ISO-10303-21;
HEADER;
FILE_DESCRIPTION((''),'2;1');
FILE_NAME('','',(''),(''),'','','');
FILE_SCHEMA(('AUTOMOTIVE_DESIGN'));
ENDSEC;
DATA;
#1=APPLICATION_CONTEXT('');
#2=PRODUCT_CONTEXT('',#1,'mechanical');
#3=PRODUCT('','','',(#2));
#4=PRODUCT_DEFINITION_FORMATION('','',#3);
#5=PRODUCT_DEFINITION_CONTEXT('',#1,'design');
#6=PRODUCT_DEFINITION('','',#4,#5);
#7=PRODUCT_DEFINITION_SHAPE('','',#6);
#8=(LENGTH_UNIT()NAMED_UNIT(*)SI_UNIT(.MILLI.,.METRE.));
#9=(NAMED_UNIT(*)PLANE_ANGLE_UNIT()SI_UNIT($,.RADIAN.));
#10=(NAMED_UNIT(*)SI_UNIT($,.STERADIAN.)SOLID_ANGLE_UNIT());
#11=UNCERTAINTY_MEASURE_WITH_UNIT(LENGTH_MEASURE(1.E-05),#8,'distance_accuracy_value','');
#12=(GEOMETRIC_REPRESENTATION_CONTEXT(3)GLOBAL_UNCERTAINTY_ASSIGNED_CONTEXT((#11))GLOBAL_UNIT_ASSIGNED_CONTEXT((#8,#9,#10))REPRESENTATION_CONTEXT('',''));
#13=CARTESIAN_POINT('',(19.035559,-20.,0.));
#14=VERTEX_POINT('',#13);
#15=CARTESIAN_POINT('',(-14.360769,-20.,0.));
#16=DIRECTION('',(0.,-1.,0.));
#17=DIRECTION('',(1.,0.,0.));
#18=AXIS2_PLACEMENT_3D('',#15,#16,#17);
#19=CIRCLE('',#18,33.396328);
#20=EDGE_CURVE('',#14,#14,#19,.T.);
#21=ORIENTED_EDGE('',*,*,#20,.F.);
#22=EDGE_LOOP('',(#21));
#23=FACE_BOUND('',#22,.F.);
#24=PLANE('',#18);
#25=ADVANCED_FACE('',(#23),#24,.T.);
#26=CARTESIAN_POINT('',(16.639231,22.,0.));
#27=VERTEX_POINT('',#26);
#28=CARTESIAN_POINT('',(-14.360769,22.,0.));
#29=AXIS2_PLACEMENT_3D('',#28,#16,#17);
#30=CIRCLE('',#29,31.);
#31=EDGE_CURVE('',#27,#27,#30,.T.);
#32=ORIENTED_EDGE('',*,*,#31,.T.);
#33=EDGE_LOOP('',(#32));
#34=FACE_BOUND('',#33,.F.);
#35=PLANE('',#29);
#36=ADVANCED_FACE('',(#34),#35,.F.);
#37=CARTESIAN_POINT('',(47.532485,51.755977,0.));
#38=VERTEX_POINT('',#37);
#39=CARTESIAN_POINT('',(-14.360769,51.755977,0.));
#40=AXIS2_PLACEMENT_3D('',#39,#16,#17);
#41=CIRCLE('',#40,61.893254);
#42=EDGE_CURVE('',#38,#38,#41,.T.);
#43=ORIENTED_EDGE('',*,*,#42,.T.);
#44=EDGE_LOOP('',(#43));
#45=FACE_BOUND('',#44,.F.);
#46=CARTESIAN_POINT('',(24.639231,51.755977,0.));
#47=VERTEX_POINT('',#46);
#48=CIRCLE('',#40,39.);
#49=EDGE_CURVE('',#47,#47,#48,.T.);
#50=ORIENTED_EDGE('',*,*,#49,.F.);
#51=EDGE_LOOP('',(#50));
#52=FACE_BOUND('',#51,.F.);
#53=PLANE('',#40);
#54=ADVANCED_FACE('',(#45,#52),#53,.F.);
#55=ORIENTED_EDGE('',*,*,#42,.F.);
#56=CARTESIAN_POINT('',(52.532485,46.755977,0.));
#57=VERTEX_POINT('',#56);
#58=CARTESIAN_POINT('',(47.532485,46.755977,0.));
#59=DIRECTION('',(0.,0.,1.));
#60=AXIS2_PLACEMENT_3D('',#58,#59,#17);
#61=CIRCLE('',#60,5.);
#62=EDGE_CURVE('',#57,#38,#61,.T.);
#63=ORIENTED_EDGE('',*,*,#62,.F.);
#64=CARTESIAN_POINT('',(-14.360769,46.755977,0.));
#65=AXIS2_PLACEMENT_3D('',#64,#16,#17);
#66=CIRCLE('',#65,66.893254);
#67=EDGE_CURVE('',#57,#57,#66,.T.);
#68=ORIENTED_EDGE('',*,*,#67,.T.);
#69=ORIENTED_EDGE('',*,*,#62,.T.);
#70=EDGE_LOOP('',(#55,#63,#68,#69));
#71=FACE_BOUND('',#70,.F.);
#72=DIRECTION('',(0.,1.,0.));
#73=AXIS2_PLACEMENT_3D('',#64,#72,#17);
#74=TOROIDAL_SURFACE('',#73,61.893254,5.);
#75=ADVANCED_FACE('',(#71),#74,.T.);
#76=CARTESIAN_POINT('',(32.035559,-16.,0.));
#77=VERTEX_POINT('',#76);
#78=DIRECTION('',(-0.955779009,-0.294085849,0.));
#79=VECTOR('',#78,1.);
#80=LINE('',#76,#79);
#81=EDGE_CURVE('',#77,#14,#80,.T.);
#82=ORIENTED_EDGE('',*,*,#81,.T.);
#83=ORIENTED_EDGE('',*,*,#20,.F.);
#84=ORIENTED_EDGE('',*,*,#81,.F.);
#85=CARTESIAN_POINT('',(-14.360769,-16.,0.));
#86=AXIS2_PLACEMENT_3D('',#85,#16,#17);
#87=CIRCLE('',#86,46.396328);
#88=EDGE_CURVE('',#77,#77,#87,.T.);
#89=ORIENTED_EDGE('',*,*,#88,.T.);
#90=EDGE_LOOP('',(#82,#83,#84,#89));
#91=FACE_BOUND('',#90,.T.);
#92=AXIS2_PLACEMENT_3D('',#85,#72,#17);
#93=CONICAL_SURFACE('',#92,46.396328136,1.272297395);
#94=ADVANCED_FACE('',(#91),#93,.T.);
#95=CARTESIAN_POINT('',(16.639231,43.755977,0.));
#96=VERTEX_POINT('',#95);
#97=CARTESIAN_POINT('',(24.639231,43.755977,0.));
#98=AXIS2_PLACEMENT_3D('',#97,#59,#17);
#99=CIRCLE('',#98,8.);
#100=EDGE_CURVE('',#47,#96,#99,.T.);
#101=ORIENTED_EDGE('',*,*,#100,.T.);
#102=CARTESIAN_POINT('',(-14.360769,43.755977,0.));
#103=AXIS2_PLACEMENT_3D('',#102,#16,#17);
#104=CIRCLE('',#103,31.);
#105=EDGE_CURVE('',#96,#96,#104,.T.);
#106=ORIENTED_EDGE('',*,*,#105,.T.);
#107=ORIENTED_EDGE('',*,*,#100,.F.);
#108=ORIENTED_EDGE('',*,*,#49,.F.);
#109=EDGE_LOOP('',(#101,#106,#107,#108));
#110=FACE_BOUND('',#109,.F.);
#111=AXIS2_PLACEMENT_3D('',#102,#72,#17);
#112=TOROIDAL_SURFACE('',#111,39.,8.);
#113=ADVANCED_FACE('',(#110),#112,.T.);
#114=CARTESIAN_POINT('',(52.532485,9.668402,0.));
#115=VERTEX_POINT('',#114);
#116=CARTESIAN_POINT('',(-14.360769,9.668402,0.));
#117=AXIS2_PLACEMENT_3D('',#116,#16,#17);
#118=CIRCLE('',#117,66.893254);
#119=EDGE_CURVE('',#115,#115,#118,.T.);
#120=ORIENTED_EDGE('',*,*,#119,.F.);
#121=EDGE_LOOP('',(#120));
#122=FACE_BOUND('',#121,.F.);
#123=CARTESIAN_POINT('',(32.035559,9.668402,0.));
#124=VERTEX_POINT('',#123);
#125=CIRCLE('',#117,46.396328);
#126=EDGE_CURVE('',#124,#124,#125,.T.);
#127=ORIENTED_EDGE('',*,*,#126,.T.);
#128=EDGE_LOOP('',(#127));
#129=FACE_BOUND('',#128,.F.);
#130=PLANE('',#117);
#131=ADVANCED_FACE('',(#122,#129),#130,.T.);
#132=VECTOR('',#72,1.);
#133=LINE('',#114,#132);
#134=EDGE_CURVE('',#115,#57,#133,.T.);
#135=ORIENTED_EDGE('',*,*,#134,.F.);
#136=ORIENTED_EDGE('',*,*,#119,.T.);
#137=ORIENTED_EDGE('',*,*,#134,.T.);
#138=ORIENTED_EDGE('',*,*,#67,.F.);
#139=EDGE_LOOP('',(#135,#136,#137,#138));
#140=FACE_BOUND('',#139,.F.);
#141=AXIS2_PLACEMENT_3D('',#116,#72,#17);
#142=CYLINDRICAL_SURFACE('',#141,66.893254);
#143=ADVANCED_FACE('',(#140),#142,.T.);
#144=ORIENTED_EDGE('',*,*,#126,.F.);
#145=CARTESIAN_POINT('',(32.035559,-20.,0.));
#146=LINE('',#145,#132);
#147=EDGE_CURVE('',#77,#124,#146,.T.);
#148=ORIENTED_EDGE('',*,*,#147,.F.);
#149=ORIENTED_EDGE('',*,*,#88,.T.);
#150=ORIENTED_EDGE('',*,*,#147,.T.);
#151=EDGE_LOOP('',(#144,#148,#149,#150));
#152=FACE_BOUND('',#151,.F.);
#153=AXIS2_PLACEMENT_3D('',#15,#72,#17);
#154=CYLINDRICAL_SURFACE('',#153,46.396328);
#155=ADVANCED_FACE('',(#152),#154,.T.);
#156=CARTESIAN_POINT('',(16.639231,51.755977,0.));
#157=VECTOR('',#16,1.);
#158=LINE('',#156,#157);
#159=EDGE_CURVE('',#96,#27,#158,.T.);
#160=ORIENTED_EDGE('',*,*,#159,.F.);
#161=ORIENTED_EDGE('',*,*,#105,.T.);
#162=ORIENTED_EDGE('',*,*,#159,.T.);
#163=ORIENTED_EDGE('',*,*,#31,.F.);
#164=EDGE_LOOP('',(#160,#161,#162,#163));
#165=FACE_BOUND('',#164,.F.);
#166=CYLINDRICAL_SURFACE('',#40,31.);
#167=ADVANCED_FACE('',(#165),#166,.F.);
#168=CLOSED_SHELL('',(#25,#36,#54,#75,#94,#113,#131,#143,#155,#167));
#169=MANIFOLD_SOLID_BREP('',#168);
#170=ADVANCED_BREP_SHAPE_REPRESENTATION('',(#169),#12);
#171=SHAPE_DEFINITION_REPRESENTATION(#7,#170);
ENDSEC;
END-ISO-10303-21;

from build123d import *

# Parameters (mm, degrees)
F2_R     = 8
F3_SIZE2 = 13
F3_SIZE  = 4


with BuildPart() as f1:
    # F0 (on Top) → F1 (revolve)
    with BuildSketch(Plane.XY):
        with BuildLine():
            Line((-14.3607687205, 22), (-14.3607687205, -20))
            Line((-14.3607687205, -20), (32.0355594158, -20))
            Line((32.0355594158, -20), (32.0355594158, 9.6684019268))
            Line((32.0355594158, 9.6684019268), (52.5324852616, 9.6684019268))
            Line((52.5324852616, 9.6684019268), (52.5324852616, 46.7559769824))
            ThreePointArc((52.5324852616, 46.7559769824), (51.0680191675, 50.2915108883), (47.5324852616, 51.7559769824))
            Line((47.5324852616, 51.7559769824), (16.6392312795, 51.7559769824))
            Line((16.6392312795, 51.7559769824), (16.6392312795, 22))
            Line((16.6392312795, 22), (-14.3607687205, 22))
        make_face()
    revolve(axis=Axis((-14.3607687205, 1, 0), (0, -1, 0)))

    # F2
    f2_edges = [f1.edges().sort_by_distance(p)[0] for p in [
        (-45.360769, 51.755977, 0),
    ]]
    fillet(f2_edges, radius=F2_R)

    # F3
    f3_edges = [f1.edges().sort_by_distance(p)[0] for p in [
        (-60.757097, -20, 0),
    ]]
    chamfer(f3_edges, length=F3_SIZE, length2=F3_SIZE2)


solid = f1.part
